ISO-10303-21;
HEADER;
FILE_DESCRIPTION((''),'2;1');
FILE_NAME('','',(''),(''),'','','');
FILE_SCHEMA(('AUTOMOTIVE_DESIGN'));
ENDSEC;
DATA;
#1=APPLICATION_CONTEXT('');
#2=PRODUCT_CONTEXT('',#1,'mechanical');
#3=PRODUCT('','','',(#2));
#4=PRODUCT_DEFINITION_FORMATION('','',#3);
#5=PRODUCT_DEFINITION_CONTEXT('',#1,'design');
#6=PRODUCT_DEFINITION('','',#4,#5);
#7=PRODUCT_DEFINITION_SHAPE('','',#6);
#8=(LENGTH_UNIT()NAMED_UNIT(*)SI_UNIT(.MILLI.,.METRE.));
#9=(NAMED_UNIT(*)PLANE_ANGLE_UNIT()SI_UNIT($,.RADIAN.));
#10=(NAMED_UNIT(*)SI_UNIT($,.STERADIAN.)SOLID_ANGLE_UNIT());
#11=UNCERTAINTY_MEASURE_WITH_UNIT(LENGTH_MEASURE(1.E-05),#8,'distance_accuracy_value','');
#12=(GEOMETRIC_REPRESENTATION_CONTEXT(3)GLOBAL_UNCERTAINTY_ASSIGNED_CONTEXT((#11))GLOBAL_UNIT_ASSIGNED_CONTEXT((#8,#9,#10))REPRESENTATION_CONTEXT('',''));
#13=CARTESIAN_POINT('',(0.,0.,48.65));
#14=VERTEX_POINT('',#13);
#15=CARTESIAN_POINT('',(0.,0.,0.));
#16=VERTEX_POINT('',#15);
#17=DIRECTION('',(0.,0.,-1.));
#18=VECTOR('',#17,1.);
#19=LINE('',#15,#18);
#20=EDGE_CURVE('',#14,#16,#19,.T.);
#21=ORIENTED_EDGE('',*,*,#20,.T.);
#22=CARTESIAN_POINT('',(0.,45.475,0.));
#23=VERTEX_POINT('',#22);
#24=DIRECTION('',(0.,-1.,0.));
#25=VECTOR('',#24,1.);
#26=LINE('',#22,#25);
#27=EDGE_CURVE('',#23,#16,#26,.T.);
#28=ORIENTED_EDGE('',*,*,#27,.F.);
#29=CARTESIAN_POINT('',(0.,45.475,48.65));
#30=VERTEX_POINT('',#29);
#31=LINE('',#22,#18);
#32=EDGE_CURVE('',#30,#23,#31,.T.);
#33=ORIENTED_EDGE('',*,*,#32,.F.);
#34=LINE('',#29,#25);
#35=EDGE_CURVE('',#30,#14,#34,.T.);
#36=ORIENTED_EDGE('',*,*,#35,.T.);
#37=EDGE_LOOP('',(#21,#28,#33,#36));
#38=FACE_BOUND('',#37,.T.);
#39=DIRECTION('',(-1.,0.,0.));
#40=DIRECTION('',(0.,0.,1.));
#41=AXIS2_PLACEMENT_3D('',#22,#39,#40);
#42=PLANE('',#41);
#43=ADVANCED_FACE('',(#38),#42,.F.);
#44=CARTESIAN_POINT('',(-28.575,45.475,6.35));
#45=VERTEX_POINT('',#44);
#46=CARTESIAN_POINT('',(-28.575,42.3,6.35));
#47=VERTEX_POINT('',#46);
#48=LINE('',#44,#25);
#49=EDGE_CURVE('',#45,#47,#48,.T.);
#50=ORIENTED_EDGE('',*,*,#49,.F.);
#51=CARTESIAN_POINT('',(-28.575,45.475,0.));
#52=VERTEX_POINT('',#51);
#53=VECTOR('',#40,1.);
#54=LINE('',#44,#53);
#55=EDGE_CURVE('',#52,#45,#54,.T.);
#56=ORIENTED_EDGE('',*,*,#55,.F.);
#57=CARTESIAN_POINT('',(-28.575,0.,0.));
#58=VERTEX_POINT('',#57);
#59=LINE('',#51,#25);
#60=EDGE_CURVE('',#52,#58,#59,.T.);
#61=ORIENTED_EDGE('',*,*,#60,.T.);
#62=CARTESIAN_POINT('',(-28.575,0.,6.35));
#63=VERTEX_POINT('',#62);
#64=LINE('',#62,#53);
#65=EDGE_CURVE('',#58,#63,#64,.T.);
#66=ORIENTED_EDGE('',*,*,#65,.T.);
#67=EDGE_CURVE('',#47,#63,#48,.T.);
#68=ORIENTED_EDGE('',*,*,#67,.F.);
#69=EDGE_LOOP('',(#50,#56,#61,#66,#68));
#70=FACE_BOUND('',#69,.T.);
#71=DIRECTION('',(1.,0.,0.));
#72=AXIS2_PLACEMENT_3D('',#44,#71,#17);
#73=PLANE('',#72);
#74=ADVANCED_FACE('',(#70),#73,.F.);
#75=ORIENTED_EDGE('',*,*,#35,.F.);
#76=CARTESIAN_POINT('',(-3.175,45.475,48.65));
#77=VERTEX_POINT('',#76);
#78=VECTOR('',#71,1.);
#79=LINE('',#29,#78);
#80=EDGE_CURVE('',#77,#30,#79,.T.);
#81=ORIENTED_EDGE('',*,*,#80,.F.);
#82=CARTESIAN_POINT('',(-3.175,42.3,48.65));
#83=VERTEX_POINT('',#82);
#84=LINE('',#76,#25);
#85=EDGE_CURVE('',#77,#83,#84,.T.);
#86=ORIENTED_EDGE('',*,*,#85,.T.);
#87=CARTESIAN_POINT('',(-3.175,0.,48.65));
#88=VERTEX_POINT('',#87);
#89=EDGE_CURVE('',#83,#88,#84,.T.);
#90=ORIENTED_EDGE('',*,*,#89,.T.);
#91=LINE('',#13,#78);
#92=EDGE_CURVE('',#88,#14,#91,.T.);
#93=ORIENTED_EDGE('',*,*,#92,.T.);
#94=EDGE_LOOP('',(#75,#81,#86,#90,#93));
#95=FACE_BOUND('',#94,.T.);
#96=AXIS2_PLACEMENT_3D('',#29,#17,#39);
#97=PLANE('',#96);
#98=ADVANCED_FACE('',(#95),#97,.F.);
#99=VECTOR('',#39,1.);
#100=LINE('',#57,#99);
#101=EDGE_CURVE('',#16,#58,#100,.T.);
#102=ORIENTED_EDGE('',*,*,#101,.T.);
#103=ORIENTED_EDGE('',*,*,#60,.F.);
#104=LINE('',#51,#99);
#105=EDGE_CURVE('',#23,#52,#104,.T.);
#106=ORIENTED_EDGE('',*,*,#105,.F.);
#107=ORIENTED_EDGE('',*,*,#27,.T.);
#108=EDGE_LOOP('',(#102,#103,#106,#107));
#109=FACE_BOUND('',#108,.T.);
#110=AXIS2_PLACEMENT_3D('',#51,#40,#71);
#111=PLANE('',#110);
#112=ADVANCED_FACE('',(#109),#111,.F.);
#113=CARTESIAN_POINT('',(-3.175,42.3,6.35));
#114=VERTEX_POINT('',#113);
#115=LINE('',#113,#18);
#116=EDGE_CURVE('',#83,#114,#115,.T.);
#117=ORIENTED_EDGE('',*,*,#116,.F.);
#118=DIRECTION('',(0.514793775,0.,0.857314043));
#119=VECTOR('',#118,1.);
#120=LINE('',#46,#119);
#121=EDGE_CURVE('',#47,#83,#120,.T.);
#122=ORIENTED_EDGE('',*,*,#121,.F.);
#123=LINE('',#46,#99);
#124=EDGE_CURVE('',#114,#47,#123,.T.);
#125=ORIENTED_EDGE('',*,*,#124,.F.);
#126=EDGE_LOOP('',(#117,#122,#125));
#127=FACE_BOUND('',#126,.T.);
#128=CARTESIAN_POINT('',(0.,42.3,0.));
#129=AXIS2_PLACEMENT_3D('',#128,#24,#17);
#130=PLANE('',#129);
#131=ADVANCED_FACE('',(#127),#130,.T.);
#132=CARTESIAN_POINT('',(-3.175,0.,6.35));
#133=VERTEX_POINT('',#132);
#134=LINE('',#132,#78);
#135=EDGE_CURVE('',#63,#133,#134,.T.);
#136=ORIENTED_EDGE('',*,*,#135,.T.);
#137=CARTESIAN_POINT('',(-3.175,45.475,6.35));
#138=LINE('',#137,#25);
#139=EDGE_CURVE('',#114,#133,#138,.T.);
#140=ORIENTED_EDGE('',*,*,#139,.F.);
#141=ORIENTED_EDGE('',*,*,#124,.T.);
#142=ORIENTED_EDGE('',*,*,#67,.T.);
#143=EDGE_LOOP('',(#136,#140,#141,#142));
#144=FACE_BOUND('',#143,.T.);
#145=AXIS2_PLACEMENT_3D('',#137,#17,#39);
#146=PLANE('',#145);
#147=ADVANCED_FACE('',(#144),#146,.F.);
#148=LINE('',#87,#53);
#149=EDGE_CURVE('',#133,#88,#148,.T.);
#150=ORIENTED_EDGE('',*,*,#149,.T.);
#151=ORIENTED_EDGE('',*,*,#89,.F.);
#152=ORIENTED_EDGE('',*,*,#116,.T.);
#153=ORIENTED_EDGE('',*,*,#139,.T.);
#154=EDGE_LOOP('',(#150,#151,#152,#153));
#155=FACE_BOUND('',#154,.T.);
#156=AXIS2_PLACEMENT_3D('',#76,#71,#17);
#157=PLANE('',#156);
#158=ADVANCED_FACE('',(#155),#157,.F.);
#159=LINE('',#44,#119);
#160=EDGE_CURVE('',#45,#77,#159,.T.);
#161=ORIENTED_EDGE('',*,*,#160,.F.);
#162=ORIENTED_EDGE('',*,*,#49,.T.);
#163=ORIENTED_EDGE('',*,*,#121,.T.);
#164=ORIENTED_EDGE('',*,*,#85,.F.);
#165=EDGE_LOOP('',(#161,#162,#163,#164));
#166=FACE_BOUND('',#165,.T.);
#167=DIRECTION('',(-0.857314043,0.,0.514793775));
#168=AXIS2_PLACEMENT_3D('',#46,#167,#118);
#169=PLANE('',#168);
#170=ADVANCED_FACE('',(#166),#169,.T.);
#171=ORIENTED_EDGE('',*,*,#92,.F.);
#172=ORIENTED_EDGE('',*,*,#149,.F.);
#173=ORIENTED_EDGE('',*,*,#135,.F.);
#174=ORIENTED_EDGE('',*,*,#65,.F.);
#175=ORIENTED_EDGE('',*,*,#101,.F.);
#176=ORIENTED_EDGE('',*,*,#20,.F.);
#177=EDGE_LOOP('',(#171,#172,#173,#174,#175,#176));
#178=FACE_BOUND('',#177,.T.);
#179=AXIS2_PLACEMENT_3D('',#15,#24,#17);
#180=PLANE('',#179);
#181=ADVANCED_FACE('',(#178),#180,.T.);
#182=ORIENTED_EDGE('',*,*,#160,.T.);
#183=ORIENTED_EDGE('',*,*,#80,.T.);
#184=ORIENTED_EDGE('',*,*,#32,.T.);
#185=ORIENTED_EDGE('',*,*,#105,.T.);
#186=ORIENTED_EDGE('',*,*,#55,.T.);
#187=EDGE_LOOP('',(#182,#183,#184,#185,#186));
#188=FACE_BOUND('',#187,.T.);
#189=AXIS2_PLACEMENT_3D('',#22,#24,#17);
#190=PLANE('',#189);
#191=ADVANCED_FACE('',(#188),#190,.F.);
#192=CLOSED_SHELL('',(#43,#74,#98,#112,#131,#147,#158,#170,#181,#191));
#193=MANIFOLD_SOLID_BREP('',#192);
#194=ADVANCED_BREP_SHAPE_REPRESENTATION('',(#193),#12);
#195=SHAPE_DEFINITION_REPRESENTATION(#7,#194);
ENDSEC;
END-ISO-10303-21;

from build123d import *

# Parameters (mm, degrees)
BOSS_EXTRUDE1_DEPTH = 45.475
BOSS_EXTRUDE2_DEPTH = 3.175


with BuildPart() as part:
    # Sketch1 → Boss-Extrude1 (new body)
    with BuildSketch(Plane(origin=(0, 0, 0), x_dir=(1, 0, 0), z_dir=(0, 1, 0))):
        Polygon((0, 0), (0, -48.65), (-3.175, -48.65), (-3.175, -6.35), (-28.575, -6.35), (-28.575, 0), align=None)
    extrude(amount=BOSS_EXTRUDE1_DEPTH)

    # Sketch2 → Boss-Extrude2 (add)
    with BuildSketch(Plane(origin=(0, 45.475, 0), x_dir=(1, 0, 0), z_dir=(0, 1, 0))):
        Polygon((-28.575, -6.35), (-3.175, -48.65), (-3.175, -6.35), align=None)
    extrude(amount=-BOSS_EXTRUDE2_DEPTH)


solid = part.part
